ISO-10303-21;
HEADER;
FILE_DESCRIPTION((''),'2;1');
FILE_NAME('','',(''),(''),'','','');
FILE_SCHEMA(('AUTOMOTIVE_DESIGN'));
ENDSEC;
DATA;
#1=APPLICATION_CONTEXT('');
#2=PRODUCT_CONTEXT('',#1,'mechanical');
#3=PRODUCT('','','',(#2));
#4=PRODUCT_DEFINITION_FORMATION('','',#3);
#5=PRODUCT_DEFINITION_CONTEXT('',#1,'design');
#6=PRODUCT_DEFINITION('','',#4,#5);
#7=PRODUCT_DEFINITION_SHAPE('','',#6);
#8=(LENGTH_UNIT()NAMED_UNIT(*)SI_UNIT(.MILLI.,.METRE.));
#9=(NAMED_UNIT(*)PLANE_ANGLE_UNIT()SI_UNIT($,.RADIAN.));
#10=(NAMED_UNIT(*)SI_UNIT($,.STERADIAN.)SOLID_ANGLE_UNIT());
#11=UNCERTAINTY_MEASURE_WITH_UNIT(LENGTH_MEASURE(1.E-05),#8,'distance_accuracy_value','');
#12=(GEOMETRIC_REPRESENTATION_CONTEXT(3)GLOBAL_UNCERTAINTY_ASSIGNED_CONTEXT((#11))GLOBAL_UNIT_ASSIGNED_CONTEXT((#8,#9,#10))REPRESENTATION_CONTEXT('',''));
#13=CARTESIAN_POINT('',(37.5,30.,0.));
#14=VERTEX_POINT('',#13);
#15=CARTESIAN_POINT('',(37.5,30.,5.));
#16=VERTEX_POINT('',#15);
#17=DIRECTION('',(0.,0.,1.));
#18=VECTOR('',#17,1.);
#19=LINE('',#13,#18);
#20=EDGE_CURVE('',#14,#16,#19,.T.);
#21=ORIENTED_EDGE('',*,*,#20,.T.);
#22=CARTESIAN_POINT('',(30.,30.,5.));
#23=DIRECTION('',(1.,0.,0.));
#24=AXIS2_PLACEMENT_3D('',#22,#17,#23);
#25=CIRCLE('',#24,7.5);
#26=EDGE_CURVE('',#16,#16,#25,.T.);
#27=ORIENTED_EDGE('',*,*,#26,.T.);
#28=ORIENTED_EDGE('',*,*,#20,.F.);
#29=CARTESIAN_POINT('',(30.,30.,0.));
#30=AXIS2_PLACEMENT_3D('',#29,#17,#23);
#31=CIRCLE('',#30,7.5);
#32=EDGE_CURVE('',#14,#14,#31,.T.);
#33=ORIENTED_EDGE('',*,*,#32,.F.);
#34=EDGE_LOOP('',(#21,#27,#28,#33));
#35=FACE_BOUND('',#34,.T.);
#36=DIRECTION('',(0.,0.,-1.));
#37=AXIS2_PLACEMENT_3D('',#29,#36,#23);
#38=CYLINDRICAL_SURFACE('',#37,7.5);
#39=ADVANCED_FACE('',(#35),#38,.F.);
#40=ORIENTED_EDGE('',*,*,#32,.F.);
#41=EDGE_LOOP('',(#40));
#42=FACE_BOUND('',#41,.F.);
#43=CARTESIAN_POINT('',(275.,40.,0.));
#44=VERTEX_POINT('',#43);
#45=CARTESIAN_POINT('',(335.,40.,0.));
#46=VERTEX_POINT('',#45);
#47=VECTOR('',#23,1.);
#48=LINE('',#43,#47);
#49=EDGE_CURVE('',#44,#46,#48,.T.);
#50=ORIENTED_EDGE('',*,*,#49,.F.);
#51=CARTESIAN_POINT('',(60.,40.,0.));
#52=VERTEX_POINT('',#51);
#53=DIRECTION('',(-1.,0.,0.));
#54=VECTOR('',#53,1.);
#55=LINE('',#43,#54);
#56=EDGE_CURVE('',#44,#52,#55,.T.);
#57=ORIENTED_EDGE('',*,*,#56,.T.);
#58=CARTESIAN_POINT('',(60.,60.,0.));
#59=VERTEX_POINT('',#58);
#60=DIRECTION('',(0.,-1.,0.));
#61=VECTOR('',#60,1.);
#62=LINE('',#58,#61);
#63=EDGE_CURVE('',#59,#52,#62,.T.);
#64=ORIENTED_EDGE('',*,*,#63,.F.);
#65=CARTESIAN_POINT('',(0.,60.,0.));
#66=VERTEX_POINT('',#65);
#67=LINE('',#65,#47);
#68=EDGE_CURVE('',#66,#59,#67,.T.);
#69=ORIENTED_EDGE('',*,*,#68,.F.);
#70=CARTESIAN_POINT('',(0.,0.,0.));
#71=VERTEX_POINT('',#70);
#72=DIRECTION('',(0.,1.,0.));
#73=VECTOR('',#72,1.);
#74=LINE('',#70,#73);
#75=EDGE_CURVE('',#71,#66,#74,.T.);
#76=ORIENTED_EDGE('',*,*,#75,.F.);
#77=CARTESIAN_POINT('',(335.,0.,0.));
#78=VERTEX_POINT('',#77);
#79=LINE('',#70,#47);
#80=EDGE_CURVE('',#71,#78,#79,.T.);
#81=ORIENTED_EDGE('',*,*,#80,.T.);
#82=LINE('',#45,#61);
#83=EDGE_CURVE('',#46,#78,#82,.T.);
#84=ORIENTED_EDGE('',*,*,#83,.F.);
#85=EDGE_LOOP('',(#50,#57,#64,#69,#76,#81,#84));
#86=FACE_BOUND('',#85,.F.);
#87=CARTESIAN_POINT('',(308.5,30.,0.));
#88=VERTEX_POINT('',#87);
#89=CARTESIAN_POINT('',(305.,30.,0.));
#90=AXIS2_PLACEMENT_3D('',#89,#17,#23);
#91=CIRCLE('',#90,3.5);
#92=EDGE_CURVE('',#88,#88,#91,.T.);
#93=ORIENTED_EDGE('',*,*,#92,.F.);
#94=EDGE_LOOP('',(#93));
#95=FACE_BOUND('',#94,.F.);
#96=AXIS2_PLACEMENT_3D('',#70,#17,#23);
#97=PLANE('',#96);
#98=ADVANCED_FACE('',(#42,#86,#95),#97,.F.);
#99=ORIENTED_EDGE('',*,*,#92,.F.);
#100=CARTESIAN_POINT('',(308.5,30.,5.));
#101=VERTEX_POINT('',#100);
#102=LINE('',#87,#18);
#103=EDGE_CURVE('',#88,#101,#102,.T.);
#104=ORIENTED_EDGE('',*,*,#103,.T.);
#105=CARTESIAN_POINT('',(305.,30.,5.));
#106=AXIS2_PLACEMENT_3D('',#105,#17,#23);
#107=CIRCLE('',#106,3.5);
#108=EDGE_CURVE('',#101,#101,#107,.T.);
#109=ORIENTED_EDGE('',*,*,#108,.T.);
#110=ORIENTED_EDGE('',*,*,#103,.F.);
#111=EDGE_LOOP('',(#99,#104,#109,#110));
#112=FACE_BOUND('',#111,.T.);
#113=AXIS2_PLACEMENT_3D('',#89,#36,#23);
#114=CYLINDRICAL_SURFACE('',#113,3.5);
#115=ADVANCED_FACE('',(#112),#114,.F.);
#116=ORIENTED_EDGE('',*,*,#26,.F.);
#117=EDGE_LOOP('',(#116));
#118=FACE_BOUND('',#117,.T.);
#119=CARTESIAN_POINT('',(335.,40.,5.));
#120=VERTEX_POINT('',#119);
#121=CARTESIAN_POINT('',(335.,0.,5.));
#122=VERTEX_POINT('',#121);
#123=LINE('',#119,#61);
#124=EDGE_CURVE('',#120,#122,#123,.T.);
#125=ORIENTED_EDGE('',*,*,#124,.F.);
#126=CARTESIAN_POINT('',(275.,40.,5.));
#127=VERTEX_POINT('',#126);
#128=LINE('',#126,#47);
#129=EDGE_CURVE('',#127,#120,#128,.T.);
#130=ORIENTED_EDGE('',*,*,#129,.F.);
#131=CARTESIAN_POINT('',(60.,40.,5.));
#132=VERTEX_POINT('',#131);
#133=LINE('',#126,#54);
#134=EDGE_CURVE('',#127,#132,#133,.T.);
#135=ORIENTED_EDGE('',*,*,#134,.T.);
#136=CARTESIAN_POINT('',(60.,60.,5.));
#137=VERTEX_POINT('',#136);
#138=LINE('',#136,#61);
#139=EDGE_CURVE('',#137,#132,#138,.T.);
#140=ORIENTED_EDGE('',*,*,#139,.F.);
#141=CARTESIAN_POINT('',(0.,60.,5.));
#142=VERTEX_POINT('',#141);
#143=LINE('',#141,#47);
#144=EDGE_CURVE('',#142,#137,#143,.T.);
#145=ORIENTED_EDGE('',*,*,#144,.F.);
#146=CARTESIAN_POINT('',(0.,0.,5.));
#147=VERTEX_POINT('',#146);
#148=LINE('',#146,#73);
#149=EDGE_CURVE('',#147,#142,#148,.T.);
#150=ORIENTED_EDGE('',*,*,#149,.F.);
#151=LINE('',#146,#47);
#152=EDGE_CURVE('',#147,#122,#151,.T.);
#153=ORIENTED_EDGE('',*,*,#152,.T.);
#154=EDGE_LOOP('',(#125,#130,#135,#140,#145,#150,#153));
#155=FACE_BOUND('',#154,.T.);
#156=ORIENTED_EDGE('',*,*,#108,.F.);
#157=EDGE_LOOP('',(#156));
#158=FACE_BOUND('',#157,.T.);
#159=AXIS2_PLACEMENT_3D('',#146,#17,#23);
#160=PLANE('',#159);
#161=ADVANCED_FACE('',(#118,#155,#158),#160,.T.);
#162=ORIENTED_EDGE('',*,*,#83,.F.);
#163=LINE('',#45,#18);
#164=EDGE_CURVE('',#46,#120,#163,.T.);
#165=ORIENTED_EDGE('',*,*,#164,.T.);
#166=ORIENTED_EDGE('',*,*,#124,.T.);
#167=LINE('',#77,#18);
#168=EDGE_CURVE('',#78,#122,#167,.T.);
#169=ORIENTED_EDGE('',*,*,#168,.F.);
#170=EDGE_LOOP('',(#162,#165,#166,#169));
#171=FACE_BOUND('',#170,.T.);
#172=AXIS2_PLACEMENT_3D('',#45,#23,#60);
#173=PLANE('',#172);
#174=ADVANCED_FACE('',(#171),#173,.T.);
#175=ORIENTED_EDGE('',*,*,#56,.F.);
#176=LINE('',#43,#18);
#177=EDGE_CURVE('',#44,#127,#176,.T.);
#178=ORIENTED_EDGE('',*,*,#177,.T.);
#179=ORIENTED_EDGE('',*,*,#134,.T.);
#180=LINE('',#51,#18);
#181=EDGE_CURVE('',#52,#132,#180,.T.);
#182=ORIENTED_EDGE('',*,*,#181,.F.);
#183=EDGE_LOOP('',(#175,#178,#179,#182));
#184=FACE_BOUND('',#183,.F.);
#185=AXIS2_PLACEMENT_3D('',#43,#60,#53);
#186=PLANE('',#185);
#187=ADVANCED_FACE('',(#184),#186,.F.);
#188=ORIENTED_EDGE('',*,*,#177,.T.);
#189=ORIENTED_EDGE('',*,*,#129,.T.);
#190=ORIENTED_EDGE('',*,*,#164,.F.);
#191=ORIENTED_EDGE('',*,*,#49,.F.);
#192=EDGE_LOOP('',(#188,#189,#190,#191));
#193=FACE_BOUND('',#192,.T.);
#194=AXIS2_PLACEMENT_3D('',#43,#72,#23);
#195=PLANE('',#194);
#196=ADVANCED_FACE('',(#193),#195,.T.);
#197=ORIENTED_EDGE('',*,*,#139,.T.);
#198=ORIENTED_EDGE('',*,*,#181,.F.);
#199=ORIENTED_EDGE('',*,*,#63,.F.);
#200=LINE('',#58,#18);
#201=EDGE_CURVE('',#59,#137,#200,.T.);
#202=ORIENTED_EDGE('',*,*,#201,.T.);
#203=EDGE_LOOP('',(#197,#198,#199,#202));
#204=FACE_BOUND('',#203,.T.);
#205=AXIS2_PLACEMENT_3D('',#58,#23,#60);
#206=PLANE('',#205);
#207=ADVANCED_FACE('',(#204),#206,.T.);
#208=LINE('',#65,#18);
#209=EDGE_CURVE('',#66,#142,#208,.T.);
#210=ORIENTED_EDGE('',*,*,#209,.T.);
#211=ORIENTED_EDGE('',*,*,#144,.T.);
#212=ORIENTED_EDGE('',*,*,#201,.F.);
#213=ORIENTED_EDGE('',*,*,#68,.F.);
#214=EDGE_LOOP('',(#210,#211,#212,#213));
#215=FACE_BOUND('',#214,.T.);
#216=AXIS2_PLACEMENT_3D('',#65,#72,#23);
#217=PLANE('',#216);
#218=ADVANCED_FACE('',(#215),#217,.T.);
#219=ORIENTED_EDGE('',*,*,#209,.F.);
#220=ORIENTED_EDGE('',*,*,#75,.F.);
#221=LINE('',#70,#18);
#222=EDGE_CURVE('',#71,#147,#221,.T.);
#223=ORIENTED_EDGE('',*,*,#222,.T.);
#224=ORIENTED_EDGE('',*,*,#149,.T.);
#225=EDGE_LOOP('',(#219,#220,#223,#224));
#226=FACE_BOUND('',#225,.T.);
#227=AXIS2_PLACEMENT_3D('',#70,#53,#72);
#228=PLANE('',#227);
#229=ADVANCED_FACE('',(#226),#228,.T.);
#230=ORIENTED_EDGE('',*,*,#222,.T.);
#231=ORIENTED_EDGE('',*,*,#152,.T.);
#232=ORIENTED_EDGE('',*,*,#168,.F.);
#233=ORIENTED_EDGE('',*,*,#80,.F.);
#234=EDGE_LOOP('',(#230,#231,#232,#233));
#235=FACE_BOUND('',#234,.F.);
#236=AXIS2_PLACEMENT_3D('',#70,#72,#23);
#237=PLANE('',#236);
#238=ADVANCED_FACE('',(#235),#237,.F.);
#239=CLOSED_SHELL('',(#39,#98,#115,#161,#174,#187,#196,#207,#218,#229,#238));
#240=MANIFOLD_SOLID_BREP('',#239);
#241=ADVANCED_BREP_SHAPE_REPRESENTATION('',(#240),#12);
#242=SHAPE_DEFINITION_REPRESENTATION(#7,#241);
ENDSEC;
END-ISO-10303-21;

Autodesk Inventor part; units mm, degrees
ref_plane "YZ Plane" through (0, 0, 0) normal (1, 0, 0) x (0, 1, 0)
ref_plane "XZ Plane" through (0, 0, 0) normal (0, 1, 0) x (-1, 0, 0)
ref_plane "XY Plane" through (0, 0, 0) normal (0, 0, 1) x (1, 0, 0)
sketch "Sketch11" plane through (0, 0, 0) normal (0, 0, 1) x (1, 0, 0)
  line L0 (0, 0) -> (335, 0)
  line L1 (0, 0) -> (0, 60)
  line L2 (0, 60) -> (60, 60)
  line L3 (60, 60) -> (60, 40)
  line L4 (275, 40) -> (60, 40)
  circle A0 centre (30, 30) radius 7.5
  circle A1 centre (305, 30) radius 3.5
  line L5 (275, 40) -> (335, 40)
  line L6 (335, 40) -> (335, 0)
  dimension "d110" = 60
  dimension "d111" = 60
  dimension "d112" = 20
  dimension "d114" = 15
  dimension "d115" = 7
  dimension "d120" = 60
extrude "Extrusion2" add sketch "Sketch11" along normal blind 5
properties part number "conveyor belt sideplank"
